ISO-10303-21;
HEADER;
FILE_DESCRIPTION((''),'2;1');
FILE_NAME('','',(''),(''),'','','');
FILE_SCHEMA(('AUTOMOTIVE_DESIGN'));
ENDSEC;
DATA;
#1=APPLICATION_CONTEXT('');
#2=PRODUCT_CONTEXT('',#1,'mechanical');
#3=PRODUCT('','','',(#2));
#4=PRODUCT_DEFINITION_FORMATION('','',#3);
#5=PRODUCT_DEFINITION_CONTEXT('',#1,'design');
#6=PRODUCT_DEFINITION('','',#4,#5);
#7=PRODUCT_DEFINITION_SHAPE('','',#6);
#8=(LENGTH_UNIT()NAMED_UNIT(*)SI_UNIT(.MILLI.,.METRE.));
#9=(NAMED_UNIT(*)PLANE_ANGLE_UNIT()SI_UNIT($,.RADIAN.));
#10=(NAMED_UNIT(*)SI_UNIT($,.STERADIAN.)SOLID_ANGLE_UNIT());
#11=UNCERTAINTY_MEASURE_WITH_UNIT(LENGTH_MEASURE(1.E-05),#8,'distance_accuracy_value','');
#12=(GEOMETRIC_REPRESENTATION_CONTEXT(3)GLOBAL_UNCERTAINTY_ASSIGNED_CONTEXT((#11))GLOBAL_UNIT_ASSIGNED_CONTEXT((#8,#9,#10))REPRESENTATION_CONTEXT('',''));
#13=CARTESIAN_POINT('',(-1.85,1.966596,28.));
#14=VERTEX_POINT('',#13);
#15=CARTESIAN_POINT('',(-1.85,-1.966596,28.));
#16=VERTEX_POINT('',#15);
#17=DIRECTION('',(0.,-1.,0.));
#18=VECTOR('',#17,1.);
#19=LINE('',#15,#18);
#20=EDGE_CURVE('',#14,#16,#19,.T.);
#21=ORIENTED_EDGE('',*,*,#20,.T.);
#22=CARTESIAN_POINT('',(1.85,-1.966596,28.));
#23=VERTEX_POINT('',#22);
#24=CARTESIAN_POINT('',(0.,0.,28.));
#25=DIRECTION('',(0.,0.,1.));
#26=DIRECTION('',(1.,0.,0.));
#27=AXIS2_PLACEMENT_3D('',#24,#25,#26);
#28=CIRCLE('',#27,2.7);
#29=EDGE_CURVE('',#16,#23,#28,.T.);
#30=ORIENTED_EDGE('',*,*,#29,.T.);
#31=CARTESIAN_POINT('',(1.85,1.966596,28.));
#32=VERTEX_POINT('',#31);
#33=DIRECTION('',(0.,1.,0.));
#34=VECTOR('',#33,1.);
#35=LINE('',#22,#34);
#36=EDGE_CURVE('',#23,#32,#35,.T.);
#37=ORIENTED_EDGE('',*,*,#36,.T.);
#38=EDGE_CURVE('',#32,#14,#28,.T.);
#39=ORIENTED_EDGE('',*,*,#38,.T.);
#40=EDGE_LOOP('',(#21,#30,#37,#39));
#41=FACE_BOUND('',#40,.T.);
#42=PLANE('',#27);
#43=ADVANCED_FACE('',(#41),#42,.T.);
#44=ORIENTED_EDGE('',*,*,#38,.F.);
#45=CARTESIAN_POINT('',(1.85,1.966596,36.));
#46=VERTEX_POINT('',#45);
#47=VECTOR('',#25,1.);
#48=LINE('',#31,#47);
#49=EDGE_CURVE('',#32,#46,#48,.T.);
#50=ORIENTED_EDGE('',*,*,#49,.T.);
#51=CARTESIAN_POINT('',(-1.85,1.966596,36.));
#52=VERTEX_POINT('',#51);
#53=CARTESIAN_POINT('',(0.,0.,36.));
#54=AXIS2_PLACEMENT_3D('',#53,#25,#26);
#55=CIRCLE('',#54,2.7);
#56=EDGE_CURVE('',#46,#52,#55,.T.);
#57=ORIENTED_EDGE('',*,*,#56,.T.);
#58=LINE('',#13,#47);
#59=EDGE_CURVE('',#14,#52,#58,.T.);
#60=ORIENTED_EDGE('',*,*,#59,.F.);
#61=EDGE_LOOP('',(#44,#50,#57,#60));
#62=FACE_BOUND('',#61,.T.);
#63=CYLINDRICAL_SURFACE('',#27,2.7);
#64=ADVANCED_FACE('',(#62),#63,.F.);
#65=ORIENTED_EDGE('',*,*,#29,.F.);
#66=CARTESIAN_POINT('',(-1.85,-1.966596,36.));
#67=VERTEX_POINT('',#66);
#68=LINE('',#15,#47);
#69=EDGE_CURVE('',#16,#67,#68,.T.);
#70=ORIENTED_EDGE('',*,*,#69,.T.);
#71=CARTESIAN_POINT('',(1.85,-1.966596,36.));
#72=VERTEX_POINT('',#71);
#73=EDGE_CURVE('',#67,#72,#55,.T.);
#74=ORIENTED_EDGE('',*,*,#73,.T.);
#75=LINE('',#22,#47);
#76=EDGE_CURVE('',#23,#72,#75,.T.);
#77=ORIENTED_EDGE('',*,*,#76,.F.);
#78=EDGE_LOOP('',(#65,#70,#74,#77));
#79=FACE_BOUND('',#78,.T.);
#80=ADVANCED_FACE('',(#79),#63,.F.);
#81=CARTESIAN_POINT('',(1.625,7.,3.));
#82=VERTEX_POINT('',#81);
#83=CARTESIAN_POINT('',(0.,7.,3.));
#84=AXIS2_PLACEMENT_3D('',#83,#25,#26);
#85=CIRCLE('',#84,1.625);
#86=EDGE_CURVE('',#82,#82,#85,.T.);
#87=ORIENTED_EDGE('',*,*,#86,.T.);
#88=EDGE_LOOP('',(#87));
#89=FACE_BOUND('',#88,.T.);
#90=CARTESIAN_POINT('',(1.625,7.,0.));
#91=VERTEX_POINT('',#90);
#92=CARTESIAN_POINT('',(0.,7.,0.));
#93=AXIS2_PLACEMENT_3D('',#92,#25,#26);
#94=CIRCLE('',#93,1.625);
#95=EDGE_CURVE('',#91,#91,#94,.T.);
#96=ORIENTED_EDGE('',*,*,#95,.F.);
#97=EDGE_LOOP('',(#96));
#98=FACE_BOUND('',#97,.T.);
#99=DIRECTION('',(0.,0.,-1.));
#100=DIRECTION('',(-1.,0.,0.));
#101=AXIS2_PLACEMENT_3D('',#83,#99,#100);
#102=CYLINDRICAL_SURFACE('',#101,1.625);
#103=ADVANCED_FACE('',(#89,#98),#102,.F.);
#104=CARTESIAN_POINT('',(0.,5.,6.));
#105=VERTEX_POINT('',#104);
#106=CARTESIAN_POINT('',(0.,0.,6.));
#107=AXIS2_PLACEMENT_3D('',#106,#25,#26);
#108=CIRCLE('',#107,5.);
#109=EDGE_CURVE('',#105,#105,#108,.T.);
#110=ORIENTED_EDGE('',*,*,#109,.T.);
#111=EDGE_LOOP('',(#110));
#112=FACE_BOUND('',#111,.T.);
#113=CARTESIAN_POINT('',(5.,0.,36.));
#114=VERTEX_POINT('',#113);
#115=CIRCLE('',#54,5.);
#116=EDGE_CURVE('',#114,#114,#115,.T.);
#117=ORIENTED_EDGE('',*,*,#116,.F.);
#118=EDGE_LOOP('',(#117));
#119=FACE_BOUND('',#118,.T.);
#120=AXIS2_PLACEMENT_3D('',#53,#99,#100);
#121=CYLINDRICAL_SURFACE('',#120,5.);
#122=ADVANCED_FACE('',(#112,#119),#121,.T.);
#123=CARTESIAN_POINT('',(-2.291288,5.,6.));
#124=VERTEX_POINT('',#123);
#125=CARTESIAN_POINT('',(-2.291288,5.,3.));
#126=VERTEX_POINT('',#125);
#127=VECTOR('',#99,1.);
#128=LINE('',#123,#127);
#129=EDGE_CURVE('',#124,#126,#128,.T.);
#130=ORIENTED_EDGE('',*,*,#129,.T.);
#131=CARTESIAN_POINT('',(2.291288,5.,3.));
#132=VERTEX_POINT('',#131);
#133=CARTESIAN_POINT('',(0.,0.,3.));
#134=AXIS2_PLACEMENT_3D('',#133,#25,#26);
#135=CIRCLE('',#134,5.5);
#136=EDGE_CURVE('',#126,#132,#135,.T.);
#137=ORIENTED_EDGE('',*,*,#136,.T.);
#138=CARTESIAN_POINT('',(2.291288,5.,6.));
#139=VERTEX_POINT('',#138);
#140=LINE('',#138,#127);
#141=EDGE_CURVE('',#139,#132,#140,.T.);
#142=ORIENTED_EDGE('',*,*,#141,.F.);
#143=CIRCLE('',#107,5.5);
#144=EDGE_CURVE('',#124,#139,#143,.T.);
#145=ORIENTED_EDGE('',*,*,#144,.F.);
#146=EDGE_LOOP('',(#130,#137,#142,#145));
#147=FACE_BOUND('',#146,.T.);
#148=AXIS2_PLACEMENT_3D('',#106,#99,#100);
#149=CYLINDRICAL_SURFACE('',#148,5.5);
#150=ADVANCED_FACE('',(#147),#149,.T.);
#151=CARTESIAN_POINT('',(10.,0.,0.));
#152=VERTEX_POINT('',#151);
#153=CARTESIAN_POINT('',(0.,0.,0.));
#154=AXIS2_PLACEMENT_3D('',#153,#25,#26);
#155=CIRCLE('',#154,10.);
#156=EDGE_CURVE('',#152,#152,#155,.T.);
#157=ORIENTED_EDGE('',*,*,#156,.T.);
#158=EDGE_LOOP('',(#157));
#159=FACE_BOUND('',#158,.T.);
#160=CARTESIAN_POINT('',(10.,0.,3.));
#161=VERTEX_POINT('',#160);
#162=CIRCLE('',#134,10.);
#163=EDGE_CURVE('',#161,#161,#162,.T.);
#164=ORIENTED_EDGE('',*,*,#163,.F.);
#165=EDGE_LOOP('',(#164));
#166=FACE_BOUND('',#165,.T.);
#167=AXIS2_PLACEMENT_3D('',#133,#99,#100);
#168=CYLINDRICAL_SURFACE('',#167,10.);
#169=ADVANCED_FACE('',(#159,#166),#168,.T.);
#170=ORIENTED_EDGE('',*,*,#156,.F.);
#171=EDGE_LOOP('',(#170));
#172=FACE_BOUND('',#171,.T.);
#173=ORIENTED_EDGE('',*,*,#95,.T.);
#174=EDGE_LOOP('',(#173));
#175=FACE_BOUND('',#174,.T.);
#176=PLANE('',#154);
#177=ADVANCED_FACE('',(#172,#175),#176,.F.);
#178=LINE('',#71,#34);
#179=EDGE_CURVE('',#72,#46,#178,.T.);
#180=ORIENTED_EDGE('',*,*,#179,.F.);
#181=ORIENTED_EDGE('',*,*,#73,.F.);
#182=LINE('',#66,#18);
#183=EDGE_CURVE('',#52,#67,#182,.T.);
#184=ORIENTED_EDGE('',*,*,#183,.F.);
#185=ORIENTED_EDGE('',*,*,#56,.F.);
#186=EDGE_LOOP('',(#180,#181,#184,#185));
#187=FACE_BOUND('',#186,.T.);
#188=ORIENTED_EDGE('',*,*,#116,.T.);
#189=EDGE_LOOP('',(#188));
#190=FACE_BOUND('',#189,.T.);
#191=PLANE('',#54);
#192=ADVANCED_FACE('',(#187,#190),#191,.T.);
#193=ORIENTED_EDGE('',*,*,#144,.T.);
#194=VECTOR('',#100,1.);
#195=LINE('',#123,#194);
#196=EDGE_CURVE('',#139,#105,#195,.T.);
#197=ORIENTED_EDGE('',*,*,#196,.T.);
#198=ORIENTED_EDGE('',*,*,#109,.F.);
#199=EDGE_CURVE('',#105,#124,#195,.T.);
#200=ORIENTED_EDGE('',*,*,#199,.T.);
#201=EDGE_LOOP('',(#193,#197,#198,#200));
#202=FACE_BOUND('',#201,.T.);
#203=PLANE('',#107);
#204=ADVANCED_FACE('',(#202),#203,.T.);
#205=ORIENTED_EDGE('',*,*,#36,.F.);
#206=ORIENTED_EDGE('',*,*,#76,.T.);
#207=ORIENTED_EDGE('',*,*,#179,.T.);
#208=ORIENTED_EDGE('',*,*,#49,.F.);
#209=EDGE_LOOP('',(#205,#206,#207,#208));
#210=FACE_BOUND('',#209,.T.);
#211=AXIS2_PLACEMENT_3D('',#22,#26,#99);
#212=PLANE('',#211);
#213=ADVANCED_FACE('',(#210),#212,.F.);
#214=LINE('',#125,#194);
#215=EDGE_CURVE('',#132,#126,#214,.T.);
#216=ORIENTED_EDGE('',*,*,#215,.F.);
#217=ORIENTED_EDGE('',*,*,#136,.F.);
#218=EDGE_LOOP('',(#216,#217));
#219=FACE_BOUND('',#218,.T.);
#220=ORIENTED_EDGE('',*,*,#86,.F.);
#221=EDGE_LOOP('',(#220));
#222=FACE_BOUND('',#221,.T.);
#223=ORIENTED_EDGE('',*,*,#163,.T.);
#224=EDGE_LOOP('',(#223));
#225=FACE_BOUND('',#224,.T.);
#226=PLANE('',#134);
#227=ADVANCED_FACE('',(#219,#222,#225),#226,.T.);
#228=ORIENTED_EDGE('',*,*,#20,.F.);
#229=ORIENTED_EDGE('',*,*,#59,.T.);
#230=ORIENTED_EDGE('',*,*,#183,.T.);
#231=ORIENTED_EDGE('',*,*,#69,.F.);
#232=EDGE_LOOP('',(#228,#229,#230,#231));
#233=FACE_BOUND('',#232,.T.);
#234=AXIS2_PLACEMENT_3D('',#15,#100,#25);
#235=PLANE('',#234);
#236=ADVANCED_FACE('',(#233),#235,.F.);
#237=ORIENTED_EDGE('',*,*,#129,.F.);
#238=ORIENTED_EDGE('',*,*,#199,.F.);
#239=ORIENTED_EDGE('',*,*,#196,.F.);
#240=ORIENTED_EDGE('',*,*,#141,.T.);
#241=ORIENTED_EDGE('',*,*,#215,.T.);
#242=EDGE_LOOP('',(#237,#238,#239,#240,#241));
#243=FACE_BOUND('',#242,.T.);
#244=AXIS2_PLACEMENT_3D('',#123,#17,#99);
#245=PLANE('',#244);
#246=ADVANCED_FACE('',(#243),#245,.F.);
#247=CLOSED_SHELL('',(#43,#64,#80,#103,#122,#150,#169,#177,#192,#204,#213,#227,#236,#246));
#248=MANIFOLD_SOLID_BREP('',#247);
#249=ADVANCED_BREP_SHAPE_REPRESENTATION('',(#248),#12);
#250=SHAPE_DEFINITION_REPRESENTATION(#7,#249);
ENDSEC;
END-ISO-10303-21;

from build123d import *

# Parameters (mm, degrees)
SKETCH1_R           = 10
SKETCH1_R_2         = 1.625
BOSS_EXTRUDE1_DEPTH = 3
BOSS_EXTRUDE2_DEPTH = 3
SKETCH3_R           = 5
BOSS_EXTRUDE3_DEPTH = 30
CUT_EXTRUDE1_DEPTH  = 8


with BuildPart() as part:
    # Sketch1 → Boss-Extrude1 (new body)
    with BuildSketch(Plane.XY):
        Circle(SKETCH1_R)
        with Locations((0, 7)):
            Circle(SKETCH1_R_2, mode=Mode.SUBTRACT)
    extrude(amount=BOSS_EXTRUDE1_DEPTH)

    # Sketch2 → Boss-Extrude2 (add)
    with BuildSketch(Plane.XY.offset(3)):
        with BuildLine():
            Line((-2.291287847, 5), (2.291287847, 5))
            ThreePointArc((2.291287847, 5), (0, -5.5), (-2.291287847, 5))
        make_face()
    extrude(amount=BOSS_EXTRUDE2_DEPTH)

    # Sketch3 → Boss-Extrude3 (add)
    with BuildSketch(Plane.XY.offset(6)):
        with Locations(Location((0, 0, 0), (0, 0, 90))):
            Circle(SKETCH3_R)
    extrude(amount=BOSS_EXTRUDE3_DEPTH)

    # Sketch4 → Cut-Extrude1 (cut)
    with BuildSketch(Plane.XY.offset(36)):
        with BuildLine():
            Line((1.85, -1.966596044), (1.85, 1.966596044))
            ThreePointArc((1.85, 1.966596044), (0, 2.7), (-1.85, 1.966596044))
            Line((-1.85, 1.966596044), (-1.85, -1.966596044))
            ThreePointArc((-1.85, -1.966596044), (0, -2.7), (1.85, -1.966596044))
        make_face()
    extrude(amount=-CUT_EXTRUDE1_DEPTH, mode=Mode.SUBTRACT)


solid = part.part
